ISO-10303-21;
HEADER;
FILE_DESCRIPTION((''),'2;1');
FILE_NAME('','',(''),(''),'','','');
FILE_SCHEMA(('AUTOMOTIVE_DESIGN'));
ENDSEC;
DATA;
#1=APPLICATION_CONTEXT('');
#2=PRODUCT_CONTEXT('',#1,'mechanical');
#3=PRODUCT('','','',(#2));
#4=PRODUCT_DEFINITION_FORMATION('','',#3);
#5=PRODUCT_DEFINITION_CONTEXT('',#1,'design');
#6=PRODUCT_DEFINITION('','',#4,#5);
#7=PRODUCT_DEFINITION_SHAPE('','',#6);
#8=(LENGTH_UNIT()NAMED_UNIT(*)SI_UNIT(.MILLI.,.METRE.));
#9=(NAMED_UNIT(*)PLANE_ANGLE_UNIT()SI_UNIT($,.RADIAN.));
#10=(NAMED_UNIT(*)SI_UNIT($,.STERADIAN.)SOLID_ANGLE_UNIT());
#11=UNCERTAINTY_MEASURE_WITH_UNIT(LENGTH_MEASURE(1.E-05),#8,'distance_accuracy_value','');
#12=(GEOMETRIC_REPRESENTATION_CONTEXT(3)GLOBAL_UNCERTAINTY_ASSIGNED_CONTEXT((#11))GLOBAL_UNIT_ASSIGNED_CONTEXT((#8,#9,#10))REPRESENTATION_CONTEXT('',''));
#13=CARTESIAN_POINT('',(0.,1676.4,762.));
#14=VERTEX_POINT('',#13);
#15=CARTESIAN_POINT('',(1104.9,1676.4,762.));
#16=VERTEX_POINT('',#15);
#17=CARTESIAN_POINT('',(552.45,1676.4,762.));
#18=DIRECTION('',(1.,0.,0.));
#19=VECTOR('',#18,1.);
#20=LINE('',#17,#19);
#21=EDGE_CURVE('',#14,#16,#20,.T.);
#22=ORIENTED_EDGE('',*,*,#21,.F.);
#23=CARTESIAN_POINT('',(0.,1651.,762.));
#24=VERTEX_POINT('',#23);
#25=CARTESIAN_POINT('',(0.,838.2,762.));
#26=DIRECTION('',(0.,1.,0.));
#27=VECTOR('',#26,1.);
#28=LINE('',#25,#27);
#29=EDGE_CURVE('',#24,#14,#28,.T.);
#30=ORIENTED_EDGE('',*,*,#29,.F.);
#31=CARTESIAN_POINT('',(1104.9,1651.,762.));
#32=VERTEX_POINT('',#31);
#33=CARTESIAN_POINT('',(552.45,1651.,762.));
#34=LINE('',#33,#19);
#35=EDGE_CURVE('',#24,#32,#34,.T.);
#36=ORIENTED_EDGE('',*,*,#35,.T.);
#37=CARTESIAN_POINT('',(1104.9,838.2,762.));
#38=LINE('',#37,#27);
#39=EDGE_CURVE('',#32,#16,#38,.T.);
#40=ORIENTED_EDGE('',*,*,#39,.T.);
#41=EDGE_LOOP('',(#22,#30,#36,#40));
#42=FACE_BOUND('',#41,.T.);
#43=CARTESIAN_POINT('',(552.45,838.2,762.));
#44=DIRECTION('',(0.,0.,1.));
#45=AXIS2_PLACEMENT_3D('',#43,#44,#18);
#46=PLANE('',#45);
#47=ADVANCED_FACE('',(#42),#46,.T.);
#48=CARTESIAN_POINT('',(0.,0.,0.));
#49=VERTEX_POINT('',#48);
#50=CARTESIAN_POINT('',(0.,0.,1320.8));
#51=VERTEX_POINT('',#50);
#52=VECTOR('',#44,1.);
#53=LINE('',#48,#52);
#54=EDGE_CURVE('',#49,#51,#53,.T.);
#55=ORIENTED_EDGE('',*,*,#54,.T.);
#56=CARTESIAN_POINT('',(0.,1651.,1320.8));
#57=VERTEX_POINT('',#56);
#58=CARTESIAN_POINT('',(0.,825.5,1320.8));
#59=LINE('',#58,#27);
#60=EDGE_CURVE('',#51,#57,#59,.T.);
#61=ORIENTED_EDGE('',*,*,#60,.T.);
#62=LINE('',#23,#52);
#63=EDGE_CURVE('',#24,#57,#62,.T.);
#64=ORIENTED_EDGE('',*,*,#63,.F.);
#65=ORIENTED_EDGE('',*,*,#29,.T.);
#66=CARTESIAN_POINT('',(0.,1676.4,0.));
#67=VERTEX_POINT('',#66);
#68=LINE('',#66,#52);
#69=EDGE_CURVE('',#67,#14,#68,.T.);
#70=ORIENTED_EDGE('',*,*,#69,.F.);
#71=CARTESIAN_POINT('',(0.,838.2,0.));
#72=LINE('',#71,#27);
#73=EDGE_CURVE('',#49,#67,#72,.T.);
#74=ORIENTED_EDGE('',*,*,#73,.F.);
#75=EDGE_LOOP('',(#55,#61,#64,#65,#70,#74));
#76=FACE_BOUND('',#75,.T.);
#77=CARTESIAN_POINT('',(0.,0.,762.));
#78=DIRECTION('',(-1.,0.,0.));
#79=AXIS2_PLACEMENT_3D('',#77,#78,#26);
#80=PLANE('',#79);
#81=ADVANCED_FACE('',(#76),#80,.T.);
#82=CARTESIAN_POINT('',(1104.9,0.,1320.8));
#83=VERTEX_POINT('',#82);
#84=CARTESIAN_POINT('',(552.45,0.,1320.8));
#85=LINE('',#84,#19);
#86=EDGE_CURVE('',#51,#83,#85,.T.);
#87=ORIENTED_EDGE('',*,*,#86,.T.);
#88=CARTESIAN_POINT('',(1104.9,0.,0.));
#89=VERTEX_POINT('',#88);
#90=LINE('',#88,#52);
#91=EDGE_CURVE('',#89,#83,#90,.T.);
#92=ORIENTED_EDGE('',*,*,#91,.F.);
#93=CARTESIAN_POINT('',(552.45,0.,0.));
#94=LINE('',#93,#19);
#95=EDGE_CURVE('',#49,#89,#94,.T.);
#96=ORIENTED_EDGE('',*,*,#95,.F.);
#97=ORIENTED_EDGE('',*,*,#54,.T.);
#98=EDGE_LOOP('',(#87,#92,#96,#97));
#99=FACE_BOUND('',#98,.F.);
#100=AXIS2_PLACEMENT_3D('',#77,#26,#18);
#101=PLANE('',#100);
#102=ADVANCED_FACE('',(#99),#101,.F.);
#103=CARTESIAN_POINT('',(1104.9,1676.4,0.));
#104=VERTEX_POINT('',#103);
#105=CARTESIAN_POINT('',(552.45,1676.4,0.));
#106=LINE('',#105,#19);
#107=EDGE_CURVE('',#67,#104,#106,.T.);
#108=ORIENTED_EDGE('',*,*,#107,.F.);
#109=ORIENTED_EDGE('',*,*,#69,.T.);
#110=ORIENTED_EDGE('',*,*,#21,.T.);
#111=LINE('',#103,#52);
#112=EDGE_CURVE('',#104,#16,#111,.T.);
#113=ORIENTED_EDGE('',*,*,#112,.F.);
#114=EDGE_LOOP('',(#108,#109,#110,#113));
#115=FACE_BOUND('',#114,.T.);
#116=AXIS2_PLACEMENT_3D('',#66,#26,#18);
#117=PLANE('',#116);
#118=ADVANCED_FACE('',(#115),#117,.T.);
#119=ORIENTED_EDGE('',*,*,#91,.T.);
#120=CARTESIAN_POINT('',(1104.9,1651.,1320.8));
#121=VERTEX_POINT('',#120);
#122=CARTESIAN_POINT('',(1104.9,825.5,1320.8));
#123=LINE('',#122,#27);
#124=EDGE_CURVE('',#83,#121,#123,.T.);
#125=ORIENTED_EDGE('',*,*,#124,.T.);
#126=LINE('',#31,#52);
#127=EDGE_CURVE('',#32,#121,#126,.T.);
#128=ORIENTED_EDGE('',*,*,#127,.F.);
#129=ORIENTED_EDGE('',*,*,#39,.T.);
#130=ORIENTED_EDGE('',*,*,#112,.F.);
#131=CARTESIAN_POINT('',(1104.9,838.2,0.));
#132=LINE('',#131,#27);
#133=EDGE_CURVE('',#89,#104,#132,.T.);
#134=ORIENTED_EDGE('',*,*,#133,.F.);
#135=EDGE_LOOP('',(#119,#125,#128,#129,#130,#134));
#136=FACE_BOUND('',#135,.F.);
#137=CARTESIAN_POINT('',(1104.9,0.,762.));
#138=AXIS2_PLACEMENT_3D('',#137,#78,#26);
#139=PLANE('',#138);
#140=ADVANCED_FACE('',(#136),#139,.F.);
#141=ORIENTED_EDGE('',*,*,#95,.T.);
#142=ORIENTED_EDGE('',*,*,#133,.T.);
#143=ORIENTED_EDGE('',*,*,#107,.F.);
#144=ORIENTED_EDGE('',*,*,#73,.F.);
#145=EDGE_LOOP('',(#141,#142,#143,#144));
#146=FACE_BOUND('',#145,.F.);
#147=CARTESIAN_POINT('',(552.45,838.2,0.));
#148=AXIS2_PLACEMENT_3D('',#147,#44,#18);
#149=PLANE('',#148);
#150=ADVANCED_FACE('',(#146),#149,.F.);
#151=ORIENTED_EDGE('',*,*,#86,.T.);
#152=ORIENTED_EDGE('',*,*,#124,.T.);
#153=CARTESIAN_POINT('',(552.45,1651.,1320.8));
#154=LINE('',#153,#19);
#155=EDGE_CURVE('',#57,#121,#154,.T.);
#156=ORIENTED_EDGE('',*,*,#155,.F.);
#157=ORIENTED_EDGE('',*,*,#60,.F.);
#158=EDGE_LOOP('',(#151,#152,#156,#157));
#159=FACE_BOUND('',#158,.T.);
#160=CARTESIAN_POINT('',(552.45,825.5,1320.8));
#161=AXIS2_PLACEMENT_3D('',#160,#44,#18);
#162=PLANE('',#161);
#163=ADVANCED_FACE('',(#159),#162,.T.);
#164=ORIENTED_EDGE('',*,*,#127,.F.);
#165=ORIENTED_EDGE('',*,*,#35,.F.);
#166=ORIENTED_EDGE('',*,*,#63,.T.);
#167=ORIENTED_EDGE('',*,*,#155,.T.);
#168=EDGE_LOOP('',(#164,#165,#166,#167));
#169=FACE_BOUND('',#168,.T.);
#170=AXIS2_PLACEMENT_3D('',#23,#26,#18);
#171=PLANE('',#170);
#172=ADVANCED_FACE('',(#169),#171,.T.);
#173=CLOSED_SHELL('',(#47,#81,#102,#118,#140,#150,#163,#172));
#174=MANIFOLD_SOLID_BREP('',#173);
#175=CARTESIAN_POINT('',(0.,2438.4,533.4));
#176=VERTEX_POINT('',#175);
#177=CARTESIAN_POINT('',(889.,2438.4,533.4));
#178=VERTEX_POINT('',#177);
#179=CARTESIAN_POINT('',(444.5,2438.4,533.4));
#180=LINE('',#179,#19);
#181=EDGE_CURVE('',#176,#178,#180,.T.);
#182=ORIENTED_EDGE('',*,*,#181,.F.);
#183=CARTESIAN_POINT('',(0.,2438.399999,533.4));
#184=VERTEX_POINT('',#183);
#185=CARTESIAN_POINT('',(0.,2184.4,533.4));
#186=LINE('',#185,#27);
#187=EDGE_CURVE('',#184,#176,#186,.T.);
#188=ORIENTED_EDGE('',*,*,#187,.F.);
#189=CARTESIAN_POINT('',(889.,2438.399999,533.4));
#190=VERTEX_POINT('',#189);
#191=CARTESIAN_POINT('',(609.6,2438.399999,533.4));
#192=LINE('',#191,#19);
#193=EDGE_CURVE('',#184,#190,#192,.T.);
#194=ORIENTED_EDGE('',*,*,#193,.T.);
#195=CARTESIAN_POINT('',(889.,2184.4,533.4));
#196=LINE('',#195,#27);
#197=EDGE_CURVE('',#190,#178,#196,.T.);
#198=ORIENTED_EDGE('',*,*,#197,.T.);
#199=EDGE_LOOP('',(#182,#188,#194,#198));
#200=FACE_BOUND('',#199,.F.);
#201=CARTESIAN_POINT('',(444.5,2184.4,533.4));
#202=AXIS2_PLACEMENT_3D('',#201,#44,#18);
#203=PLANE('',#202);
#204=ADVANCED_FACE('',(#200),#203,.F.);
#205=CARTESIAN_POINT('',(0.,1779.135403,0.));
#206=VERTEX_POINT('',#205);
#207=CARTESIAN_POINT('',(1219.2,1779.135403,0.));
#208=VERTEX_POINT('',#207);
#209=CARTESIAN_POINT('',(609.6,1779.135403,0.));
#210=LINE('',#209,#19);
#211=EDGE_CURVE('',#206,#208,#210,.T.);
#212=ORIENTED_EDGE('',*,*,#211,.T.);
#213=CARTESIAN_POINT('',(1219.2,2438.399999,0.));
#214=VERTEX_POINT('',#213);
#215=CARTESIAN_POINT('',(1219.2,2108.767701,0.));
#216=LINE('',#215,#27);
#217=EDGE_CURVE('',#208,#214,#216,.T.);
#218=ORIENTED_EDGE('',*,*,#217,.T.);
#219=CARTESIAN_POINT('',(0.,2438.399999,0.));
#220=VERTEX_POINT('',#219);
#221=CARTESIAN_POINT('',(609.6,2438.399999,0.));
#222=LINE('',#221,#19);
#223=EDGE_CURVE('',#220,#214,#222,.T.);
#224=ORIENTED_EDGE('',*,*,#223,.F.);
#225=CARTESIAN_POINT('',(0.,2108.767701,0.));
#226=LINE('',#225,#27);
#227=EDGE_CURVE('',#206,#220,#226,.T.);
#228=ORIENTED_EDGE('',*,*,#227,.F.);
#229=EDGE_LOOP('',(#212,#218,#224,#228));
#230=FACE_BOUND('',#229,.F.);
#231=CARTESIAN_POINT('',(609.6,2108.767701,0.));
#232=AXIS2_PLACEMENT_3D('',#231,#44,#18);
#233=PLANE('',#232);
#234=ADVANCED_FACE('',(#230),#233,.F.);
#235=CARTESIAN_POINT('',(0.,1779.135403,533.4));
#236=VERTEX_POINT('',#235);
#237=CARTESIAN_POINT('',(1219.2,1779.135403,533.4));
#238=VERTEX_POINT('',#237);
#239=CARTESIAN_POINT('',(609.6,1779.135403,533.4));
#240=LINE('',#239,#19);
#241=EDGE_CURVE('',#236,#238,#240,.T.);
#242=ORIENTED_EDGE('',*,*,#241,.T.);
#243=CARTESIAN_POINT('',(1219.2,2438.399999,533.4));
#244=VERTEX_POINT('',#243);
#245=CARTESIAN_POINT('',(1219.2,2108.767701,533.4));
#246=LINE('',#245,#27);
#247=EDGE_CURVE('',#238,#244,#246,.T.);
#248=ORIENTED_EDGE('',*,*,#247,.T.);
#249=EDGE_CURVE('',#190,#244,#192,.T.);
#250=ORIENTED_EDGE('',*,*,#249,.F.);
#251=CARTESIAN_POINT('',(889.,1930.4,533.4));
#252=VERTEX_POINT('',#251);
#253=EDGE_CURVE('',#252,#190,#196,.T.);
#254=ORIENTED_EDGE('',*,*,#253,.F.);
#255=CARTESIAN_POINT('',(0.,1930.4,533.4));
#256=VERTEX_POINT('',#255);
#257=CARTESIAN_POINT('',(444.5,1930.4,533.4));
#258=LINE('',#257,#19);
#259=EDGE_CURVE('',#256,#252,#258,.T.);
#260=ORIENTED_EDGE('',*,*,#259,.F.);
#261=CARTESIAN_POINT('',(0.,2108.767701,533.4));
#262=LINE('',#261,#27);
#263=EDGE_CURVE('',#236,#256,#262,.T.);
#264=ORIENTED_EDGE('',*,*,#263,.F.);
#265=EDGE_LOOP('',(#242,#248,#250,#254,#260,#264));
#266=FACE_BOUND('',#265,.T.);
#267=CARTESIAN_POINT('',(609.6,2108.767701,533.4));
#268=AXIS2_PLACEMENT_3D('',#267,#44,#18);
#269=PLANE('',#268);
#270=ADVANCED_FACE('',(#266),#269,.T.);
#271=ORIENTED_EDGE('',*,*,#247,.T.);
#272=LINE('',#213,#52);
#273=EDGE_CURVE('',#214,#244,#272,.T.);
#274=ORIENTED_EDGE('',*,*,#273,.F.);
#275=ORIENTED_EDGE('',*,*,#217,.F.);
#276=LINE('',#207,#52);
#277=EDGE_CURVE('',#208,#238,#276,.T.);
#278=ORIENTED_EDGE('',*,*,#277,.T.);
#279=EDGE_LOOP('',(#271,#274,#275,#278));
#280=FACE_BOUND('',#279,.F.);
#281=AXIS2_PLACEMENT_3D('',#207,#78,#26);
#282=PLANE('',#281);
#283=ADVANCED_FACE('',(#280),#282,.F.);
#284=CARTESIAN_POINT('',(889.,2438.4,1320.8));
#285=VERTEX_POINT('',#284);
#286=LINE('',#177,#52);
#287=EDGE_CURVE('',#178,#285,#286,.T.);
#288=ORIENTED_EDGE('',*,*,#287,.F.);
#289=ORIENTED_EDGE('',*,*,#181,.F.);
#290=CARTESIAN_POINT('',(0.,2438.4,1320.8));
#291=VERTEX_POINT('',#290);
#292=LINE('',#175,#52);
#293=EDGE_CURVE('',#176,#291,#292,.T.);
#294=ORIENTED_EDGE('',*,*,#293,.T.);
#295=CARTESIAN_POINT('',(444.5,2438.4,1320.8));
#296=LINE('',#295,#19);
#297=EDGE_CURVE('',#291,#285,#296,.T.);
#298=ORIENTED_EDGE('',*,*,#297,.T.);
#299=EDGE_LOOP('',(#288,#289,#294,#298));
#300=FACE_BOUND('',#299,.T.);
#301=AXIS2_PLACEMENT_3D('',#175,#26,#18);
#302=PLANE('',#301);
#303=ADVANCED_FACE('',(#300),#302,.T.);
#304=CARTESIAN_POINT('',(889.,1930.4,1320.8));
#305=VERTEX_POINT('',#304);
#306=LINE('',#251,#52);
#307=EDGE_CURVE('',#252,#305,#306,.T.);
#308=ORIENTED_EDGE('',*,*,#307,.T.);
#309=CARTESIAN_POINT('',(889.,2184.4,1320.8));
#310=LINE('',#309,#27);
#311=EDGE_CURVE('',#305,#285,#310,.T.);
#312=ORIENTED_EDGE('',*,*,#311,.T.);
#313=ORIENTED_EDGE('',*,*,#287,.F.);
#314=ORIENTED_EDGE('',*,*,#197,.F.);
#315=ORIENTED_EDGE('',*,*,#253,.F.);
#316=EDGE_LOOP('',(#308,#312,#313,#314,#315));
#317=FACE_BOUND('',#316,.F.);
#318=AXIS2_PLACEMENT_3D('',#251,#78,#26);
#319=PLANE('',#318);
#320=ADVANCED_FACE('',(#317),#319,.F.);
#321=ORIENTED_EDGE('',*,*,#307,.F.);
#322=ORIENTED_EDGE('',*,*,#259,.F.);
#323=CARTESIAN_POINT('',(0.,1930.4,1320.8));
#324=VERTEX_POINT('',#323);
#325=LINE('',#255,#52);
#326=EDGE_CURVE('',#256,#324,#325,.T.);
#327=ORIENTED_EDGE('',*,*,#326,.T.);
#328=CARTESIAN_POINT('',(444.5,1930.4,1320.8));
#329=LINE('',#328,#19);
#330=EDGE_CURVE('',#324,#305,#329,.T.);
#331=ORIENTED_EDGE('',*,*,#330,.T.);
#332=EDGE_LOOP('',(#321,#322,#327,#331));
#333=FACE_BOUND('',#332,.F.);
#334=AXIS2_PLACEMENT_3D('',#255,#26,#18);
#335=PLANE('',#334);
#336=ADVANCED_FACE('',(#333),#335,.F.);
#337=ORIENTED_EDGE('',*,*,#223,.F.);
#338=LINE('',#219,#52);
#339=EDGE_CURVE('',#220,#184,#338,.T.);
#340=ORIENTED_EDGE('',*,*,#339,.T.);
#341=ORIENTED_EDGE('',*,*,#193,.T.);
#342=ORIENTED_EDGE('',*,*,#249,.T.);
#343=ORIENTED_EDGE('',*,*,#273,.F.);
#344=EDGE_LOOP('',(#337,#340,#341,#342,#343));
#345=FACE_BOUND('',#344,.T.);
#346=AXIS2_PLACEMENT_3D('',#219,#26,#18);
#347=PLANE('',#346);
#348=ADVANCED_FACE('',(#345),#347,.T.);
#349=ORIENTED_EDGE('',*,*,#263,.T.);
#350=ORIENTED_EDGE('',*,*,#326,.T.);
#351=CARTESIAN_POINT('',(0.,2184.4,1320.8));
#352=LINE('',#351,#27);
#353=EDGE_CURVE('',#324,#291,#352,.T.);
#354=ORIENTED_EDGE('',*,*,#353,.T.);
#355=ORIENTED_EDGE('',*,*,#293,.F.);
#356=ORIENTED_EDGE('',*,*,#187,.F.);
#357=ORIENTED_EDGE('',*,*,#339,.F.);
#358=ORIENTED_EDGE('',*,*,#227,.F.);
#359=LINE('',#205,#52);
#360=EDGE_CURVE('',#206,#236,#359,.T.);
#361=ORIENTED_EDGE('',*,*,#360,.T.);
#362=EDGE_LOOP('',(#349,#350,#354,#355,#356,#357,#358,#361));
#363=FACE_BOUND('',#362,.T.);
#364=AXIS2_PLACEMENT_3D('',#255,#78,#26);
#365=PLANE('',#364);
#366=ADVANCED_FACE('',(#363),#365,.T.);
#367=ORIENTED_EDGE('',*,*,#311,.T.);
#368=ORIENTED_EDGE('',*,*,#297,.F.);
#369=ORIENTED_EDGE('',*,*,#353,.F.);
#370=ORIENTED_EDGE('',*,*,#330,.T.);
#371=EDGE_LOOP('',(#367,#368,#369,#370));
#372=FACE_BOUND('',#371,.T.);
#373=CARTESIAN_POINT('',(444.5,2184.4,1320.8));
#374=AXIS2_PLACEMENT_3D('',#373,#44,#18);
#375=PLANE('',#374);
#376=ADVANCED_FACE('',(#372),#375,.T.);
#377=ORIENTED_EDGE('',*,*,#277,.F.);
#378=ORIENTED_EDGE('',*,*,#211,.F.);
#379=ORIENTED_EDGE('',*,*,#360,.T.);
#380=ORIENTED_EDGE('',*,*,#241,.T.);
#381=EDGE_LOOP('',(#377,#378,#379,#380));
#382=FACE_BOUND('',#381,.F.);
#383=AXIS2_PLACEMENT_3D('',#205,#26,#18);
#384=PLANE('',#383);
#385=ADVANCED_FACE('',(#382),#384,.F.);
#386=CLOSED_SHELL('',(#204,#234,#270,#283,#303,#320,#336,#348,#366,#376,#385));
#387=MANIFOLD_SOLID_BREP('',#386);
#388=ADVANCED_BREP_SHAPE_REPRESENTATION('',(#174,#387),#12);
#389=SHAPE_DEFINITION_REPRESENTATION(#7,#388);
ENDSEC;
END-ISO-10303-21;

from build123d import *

# Parameters (mm, degrees)
F1_W     = 1104.9
F1_H     = 1676.4
F2_DEPTH = 762
F3_W     = 1104.9
F3_H     = 1651
F4_DEPTH = 558.8
F5_W     = 1219.2
F5_H     = 659.264597
F6_DEPTH = 533.4
F7_W     = 889
F7_H     = 508
F8_DEPTH = 787.4


with BuildPart() as f2:
    # F1 (on face) → F2 (new body)
    with BuildSketch(Plane.XY):
        with Locations((552.45, 838.2)):
            Rectangle(F1_W, F1_H)
    extrude(amount=F2_DEPTH)

    # F3 (on face) → F4 (join)
    with BuildSketch(Plane.XY.offset(762)):
        with Locations((552.45, 825.5)):
            Rectangle(F3_W, F3_H)
    extrude(amount=F4_DEPTH)


with BuildPart() as f6:
    # F5 (on face) → F6 (new body)
    with BuildSketch(Plane.XY):
        with Locations((609.6, 2108.767701)):
            Rectangle(F5_W, F5_H)
    extrude(amount=F6_DEPTH)

    # F7 (on face) → F8 (join)
    with BuildSketch(Plane.XY.offset(533.4)):
        with Locations((444.5, 2184.4)):
            Rectangle(F7_W, F7_H)
    extrude(amount=F8_DEPTH)


solid = Compound([f2.part, f6.part])
